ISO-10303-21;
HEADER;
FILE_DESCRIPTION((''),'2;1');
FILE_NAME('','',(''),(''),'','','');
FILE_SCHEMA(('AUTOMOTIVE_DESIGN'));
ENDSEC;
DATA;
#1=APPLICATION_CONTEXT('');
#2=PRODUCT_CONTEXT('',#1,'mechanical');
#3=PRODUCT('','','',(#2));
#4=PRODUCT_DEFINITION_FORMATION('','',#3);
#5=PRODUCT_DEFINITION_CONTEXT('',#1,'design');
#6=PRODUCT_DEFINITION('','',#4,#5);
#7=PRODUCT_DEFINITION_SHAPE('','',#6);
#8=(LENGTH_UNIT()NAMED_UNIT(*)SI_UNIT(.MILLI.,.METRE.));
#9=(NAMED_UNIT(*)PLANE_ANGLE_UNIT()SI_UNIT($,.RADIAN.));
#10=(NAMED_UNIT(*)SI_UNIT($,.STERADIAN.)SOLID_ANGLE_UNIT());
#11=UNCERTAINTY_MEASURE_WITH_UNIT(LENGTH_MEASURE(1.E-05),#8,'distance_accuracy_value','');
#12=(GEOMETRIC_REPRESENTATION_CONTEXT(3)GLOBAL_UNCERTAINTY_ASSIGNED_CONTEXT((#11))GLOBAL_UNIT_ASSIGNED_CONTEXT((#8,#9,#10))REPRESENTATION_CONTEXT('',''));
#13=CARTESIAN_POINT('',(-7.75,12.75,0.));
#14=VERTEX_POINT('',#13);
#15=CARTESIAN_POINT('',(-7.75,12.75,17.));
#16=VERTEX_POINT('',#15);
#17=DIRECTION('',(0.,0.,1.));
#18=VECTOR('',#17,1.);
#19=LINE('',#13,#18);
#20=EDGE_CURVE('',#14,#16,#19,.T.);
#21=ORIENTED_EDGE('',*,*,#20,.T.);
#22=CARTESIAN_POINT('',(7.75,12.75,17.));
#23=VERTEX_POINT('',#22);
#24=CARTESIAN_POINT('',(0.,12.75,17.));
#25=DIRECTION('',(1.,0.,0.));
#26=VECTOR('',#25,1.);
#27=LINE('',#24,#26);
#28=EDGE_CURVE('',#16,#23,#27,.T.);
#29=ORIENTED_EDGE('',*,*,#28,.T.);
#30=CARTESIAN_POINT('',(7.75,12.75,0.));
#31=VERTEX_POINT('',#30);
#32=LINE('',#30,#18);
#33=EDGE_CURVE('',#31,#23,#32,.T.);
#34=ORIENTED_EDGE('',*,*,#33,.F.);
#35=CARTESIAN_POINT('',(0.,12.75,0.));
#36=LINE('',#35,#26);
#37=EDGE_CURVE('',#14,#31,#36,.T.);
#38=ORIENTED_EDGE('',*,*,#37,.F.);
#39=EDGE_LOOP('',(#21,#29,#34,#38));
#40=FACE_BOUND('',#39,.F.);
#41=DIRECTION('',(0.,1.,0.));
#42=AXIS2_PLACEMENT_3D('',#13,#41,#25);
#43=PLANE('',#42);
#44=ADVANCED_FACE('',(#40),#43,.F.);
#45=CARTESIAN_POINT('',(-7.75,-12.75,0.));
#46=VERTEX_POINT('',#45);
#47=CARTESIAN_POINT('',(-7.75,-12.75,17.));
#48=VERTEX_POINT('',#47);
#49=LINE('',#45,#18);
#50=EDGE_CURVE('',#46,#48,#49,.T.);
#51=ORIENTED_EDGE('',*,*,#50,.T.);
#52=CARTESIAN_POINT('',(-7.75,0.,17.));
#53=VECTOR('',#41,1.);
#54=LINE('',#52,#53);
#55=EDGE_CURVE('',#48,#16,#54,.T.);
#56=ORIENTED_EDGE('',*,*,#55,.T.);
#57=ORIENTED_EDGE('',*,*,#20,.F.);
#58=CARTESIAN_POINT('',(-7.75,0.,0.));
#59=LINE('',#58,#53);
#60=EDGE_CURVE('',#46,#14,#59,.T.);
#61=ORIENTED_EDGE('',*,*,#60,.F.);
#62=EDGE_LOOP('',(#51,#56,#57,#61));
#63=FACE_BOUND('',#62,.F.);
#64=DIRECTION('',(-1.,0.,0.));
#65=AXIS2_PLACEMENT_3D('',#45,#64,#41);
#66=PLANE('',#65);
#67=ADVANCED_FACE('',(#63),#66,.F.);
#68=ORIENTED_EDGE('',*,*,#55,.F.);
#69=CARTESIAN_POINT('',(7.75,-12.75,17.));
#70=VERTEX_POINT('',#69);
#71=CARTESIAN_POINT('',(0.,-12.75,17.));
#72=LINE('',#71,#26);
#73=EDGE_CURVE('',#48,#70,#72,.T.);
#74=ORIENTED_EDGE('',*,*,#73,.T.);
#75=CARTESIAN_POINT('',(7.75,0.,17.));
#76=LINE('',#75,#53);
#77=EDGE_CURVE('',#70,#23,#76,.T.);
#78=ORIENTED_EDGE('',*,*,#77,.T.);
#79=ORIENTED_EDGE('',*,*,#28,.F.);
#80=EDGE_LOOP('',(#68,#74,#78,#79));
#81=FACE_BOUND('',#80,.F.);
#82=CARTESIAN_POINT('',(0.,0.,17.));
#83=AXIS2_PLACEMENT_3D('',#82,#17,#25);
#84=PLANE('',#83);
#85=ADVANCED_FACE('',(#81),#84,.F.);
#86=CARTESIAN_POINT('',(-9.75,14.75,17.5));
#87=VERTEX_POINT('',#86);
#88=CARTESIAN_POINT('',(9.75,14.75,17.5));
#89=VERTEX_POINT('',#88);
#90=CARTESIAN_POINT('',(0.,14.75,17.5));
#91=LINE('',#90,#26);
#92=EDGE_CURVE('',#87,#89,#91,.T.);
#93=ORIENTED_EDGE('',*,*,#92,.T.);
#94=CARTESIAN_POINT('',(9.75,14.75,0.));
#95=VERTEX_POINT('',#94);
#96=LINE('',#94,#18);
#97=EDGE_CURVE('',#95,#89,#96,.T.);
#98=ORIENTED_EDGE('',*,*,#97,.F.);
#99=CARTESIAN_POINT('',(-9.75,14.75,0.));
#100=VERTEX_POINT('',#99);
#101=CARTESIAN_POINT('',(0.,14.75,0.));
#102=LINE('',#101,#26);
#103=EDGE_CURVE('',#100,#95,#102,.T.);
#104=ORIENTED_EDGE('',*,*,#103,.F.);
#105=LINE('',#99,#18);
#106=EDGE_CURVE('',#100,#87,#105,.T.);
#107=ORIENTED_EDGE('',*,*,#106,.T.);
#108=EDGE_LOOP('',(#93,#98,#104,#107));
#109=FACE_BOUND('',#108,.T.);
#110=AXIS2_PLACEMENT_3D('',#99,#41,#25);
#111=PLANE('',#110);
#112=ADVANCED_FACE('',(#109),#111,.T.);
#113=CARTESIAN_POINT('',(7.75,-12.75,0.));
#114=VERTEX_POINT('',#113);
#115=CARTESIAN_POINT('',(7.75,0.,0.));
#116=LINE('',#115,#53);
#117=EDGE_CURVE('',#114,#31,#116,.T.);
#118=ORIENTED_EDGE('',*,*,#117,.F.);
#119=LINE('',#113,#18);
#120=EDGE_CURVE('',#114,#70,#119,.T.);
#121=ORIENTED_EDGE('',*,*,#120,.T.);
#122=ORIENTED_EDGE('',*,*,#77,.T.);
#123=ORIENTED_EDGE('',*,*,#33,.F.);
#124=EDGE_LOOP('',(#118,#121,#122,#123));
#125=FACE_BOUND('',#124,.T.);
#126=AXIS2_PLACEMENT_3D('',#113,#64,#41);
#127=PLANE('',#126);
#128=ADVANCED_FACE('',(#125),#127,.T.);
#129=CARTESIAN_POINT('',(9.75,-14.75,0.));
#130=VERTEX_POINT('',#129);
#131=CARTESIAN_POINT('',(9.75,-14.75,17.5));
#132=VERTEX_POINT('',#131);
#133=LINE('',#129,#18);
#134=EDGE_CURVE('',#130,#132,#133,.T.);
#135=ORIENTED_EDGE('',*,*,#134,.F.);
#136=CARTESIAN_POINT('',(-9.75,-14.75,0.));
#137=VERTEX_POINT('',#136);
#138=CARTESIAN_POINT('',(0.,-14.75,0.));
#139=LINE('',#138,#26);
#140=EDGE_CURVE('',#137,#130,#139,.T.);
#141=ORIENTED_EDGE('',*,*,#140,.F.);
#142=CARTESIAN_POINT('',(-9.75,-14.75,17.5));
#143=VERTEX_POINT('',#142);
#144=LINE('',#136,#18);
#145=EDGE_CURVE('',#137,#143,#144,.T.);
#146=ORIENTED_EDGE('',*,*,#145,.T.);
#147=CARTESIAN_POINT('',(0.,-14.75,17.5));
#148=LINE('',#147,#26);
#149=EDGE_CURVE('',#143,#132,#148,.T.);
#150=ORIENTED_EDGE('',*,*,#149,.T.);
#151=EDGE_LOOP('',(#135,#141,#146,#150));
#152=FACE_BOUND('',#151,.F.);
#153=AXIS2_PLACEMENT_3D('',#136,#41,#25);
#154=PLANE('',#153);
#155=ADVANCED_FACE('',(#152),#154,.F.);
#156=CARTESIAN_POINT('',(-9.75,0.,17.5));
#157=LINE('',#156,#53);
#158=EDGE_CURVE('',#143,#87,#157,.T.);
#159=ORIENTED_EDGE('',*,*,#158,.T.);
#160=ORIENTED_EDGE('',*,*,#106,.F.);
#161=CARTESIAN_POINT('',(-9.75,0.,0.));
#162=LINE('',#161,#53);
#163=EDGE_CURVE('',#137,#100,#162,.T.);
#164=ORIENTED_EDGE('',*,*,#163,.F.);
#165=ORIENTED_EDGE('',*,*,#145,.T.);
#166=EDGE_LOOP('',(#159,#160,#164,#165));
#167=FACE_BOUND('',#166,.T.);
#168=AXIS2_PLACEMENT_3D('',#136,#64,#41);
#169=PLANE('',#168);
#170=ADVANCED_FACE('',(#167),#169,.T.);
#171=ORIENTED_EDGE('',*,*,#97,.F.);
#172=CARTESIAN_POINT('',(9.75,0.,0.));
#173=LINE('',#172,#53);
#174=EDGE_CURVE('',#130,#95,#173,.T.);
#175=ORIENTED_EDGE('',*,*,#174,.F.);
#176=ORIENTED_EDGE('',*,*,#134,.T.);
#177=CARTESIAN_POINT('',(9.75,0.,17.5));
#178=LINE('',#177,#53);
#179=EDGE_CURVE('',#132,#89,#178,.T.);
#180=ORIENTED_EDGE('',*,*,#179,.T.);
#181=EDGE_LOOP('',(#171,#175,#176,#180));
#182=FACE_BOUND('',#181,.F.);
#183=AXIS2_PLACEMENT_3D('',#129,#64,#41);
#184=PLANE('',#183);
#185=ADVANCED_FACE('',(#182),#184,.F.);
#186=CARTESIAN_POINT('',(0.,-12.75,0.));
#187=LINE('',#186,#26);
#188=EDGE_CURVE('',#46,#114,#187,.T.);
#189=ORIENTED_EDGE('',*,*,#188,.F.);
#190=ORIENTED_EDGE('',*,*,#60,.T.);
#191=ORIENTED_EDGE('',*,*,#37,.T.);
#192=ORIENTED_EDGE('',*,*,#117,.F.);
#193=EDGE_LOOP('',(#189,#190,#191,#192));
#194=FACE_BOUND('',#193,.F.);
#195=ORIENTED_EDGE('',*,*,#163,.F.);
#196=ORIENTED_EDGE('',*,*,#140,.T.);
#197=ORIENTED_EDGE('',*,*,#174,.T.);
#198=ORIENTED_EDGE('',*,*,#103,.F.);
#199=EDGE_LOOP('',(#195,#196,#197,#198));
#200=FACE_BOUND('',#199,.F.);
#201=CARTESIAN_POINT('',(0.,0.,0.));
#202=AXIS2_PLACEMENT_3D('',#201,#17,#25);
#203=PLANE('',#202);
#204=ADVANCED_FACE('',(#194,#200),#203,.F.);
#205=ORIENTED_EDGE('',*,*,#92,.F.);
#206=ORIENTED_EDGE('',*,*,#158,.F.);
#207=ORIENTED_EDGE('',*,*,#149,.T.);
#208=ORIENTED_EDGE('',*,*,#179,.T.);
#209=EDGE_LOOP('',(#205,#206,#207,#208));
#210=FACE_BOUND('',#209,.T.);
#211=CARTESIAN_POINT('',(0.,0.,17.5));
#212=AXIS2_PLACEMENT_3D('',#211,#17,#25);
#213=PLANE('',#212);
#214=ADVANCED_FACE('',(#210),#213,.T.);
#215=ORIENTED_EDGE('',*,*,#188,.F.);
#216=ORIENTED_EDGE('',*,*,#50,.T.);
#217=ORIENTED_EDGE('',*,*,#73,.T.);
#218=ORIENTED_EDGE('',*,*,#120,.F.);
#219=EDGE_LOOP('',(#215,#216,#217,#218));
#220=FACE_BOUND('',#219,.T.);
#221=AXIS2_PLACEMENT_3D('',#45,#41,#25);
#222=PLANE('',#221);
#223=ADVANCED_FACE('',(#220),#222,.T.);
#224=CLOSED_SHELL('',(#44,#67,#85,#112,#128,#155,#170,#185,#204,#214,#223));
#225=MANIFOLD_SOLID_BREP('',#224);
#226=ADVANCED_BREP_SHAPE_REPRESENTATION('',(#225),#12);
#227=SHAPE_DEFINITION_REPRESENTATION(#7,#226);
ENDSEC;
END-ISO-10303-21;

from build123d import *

# Parameters (mm, degrees)
F0_W     = 19.5
F0_H     = 29.5
F1_DEPTH = 17.5
F2_W     = 15.5
F2_H     = 25.5
F3_DEPTH = 17


with BuildPart() as f1:
    # F0 (on Top) → F1 (new body)
    with BuildSketch(Plane.XY):
        Rectangle(F0_W, F0_H)
    extrude(amount=F1_DEPTH)

    # F2 (on Top) → F3 (cut)
    with BuildSketch(Plane.XY):
        Rectangle(F2_W, F2_H)
    extrude(amount=F3_DEPTH, mode=Mode.SUBTRACT)


solid = f1.part
